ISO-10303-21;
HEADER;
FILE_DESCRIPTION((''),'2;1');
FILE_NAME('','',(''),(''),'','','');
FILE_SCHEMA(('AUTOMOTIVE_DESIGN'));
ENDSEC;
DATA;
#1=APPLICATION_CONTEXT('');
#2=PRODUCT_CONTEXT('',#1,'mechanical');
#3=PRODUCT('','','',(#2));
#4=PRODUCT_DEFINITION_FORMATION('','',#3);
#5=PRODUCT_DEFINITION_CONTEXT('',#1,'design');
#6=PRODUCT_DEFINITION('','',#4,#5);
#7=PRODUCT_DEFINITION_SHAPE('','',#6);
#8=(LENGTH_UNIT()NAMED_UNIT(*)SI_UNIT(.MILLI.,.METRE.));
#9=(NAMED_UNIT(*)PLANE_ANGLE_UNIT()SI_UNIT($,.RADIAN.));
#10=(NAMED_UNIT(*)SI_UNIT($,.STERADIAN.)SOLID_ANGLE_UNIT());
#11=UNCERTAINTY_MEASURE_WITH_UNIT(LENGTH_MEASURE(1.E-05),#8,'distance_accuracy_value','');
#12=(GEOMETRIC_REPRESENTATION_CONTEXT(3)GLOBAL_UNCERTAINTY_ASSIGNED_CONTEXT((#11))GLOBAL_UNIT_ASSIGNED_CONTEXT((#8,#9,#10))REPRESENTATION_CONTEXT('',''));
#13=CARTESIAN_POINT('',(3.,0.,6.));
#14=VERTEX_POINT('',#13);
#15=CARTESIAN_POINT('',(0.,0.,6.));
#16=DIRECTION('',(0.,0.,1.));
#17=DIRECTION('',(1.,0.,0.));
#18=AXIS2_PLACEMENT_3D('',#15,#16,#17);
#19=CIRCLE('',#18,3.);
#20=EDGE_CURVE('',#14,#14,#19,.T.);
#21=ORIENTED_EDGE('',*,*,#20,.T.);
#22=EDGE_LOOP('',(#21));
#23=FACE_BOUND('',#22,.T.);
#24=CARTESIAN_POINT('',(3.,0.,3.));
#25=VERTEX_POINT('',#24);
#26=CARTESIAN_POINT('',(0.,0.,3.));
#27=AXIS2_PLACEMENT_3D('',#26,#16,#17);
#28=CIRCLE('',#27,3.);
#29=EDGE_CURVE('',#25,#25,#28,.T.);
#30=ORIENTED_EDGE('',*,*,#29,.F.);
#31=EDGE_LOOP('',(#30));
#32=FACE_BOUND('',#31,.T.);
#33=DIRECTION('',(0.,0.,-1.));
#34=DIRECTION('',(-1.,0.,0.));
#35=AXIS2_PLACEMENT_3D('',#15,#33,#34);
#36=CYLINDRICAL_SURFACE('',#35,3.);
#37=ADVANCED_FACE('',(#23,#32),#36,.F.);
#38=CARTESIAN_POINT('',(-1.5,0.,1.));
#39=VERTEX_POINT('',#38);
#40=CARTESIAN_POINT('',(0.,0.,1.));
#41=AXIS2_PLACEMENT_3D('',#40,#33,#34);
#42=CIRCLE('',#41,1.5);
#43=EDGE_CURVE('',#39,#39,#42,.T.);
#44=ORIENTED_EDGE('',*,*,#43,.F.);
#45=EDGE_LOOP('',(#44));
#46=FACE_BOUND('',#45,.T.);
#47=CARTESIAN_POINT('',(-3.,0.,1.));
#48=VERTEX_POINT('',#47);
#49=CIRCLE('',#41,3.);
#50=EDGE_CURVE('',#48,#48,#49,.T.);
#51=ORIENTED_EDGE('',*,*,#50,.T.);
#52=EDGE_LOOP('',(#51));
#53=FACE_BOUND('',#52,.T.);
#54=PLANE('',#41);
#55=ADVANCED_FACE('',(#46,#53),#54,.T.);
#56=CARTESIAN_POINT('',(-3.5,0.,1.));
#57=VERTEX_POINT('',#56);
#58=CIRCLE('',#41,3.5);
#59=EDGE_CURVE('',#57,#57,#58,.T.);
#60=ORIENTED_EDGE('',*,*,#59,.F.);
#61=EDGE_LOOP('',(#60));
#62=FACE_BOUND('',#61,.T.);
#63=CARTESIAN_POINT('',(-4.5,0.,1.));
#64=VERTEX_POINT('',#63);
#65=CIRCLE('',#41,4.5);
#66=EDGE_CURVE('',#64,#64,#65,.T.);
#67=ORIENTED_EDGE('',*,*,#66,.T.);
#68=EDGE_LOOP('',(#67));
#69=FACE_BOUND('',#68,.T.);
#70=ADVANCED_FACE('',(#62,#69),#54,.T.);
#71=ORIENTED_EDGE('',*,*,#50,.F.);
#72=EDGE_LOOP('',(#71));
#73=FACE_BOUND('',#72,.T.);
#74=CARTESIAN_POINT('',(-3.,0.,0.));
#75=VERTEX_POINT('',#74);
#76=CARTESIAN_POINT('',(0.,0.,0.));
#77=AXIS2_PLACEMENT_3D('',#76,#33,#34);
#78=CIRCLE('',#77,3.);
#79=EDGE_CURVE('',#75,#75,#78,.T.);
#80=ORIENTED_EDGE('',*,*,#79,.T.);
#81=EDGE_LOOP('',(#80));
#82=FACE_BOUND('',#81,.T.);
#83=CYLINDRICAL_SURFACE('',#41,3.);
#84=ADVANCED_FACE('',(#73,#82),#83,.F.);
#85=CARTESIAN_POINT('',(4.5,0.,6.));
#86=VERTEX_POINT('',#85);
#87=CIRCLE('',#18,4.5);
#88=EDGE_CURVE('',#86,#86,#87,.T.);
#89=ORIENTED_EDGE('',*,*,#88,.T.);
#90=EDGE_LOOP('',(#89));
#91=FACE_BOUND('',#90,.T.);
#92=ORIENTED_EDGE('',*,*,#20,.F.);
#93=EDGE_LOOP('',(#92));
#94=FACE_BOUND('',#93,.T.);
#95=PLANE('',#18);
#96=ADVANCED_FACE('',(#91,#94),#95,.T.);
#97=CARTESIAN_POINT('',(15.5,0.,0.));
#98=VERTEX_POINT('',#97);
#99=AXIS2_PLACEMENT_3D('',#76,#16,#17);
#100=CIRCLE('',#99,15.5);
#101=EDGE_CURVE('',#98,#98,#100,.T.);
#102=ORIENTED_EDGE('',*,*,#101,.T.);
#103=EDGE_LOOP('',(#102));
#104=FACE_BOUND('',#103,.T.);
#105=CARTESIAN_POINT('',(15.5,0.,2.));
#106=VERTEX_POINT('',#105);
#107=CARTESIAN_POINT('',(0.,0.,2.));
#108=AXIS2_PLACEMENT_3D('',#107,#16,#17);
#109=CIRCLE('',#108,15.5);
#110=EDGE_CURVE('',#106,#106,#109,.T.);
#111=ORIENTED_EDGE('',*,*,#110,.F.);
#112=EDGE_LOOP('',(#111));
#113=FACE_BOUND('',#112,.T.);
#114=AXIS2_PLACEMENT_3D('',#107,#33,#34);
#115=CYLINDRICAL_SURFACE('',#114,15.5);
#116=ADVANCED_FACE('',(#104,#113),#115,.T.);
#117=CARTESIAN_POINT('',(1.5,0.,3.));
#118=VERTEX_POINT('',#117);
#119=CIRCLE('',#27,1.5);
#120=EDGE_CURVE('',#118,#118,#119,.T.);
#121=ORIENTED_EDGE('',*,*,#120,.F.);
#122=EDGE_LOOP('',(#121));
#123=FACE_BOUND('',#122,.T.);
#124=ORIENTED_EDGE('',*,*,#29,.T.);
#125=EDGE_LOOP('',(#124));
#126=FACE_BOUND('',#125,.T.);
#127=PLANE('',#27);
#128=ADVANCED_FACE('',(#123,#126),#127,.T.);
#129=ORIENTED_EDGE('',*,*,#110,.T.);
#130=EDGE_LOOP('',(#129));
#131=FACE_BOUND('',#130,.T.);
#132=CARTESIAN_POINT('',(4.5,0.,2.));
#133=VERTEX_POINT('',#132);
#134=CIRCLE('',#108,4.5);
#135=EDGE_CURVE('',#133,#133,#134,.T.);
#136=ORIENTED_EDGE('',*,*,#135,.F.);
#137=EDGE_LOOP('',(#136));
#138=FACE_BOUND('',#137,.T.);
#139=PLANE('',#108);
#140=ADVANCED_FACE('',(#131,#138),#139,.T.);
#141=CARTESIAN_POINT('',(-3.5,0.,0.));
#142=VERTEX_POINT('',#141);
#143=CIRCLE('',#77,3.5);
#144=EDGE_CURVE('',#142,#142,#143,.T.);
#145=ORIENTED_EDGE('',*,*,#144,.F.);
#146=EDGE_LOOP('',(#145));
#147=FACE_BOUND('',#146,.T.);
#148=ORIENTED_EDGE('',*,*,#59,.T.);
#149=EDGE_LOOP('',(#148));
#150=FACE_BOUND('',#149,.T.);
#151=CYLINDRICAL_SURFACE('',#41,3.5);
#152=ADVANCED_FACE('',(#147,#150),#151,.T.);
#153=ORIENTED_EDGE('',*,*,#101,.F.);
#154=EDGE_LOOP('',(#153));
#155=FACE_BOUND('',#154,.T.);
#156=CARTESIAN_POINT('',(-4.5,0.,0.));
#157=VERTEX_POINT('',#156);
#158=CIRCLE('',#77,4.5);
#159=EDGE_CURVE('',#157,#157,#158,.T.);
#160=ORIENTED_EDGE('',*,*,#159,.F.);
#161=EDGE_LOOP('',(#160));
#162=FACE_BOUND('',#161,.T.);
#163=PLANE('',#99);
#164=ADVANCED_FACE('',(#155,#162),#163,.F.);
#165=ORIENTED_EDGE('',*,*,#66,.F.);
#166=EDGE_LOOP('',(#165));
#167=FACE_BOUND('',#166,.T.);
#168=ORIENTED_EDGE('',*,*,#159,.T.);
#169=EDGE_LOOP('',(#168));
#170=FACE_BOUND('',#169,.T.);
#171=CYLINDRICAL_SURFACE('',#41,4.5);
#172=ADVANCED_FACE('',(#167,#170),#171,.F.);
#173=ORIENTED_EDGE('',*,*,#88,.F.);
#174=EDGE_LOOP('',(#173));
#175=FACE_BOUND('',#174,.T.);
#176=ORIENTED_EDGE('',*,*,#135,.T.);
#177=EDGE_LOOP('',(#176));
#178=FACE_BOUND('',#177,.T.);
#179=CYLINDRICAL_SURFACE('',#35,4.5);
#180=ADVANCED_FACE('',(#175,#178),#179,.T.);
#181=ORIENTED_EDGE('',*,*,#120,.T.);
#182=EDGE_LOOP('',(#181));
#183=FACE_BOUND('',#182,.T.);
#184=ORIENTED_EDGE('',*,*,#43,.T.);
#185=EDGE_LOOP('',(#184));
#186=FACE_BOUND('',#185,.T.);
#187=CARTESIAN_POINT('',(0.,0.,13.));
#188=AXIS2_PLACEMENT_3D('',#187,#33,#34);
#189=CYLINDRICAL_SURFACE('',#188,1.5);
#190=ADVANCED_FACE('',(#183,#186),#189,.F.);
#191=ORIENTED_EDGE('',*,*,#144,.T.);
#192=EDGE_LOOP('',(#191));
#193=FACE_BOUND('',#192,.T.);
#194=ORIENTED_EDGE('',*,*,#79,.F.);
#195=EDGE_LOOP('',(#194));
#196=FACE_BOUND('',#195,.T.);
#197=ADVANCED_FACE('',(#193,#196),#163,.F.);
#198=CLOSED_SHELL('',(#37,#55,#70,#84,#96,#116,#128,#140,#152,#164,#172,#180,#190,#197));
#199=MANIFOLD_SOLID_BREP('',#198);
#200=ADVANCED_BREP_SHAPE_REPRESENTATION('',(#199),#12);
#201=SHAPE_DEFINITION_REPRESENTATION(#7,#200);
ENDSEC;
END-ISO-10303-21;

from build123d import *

# Parameters (mm, degrees)
SCHIZZO1_R                   = 15.5
ESTRUSIONE_ESTRUSIONE1_DEPTH = 2
SCHIZZO2_R                   = 4.5
SCHIZZO2_R_2                 = 3
ESTRUSIONE_ESTRUSIONE2_DEPTH = 4
SCHIZZO3_R                   = 3
ESTRUSIONE_ESTRUSIONE3_DEPTH = 1
SCHIZZO4_R                   = 4.5
SCHIZZO4_R_2                 = 3.5
SCHIZZO4_R_3                 = 3
TAGLIO_ESTRUSIONE1_DEPTH     = 1
SCHIZZO5_R                   = 1.5
TAGLIO_ESTRUSIONE2_DEPTH     = 12


with BuildPart() as part:
    # Schizzo1 → Estrusione-Estrusione1 (new body)
    with BuildSketch(Plane.XY):
        Circle(SCHIZZO1_R)
    extrude(amount=ESTRUSIONE_ESTRUSIONE1_DEPTH)

    # Schizzo2 → Estrusione-Estrusione2 (add)
    with BuildSketch(Plane.XY.offset(2)):
        Circle(SCHIZZO2_R)
        Circle(SCHIZZO2_R_2, mode=Mode.SUBTRACT)
    extrude(amount=ESTRUSIONE_ESTRUSIONE2_DEPTH)

    # Schizzo3 → Estrusione-Estrusione3 (add)
    with BuildSketch(Plane.XY.offset(2)):
        Circle(SCHIZZO3_R)
    extrude(amount=ESTRUSIONE_ESTRUSIONE3_DEPTH)

    # Schizzo4 → Taglio-Estrusione1 (cut)
    with BuildSketch(Plane(origin=(0, 0, 0), x_dir=(-1, 0, 0), z_dir=(0, 0, -1))):
        with Locations(Location((0, 0, 0), (0, 0, 180))):
            Circle(SCHIZZO4_R)
        Circle(SCHIZZO4_R_2, mode=Mode.SUBTRACT)
        with Locations(Location((0, 0, 0), (0, 0, 180))):
            Circle(SCHIZZO4_R_3)
    extrude(amount=-TAGLIO_ESTRUSIONE1_DEPTH, mode=Mode.SUBTRACT)

    # Schizzo5 → Taglio-Estrusione2 (cut)
    with BuildSketch(Plane(origin=(0, 0, 1), x_dir=(-1, 0, 0), z_dir=(0, 0, -1))):
        Circle(SCHIZZO5_R)
    extrude(amount=-TAGLIO_ESTRUSIONE2_DEPTH, mode=Mode.SUBTRACT)


solid = part.part
